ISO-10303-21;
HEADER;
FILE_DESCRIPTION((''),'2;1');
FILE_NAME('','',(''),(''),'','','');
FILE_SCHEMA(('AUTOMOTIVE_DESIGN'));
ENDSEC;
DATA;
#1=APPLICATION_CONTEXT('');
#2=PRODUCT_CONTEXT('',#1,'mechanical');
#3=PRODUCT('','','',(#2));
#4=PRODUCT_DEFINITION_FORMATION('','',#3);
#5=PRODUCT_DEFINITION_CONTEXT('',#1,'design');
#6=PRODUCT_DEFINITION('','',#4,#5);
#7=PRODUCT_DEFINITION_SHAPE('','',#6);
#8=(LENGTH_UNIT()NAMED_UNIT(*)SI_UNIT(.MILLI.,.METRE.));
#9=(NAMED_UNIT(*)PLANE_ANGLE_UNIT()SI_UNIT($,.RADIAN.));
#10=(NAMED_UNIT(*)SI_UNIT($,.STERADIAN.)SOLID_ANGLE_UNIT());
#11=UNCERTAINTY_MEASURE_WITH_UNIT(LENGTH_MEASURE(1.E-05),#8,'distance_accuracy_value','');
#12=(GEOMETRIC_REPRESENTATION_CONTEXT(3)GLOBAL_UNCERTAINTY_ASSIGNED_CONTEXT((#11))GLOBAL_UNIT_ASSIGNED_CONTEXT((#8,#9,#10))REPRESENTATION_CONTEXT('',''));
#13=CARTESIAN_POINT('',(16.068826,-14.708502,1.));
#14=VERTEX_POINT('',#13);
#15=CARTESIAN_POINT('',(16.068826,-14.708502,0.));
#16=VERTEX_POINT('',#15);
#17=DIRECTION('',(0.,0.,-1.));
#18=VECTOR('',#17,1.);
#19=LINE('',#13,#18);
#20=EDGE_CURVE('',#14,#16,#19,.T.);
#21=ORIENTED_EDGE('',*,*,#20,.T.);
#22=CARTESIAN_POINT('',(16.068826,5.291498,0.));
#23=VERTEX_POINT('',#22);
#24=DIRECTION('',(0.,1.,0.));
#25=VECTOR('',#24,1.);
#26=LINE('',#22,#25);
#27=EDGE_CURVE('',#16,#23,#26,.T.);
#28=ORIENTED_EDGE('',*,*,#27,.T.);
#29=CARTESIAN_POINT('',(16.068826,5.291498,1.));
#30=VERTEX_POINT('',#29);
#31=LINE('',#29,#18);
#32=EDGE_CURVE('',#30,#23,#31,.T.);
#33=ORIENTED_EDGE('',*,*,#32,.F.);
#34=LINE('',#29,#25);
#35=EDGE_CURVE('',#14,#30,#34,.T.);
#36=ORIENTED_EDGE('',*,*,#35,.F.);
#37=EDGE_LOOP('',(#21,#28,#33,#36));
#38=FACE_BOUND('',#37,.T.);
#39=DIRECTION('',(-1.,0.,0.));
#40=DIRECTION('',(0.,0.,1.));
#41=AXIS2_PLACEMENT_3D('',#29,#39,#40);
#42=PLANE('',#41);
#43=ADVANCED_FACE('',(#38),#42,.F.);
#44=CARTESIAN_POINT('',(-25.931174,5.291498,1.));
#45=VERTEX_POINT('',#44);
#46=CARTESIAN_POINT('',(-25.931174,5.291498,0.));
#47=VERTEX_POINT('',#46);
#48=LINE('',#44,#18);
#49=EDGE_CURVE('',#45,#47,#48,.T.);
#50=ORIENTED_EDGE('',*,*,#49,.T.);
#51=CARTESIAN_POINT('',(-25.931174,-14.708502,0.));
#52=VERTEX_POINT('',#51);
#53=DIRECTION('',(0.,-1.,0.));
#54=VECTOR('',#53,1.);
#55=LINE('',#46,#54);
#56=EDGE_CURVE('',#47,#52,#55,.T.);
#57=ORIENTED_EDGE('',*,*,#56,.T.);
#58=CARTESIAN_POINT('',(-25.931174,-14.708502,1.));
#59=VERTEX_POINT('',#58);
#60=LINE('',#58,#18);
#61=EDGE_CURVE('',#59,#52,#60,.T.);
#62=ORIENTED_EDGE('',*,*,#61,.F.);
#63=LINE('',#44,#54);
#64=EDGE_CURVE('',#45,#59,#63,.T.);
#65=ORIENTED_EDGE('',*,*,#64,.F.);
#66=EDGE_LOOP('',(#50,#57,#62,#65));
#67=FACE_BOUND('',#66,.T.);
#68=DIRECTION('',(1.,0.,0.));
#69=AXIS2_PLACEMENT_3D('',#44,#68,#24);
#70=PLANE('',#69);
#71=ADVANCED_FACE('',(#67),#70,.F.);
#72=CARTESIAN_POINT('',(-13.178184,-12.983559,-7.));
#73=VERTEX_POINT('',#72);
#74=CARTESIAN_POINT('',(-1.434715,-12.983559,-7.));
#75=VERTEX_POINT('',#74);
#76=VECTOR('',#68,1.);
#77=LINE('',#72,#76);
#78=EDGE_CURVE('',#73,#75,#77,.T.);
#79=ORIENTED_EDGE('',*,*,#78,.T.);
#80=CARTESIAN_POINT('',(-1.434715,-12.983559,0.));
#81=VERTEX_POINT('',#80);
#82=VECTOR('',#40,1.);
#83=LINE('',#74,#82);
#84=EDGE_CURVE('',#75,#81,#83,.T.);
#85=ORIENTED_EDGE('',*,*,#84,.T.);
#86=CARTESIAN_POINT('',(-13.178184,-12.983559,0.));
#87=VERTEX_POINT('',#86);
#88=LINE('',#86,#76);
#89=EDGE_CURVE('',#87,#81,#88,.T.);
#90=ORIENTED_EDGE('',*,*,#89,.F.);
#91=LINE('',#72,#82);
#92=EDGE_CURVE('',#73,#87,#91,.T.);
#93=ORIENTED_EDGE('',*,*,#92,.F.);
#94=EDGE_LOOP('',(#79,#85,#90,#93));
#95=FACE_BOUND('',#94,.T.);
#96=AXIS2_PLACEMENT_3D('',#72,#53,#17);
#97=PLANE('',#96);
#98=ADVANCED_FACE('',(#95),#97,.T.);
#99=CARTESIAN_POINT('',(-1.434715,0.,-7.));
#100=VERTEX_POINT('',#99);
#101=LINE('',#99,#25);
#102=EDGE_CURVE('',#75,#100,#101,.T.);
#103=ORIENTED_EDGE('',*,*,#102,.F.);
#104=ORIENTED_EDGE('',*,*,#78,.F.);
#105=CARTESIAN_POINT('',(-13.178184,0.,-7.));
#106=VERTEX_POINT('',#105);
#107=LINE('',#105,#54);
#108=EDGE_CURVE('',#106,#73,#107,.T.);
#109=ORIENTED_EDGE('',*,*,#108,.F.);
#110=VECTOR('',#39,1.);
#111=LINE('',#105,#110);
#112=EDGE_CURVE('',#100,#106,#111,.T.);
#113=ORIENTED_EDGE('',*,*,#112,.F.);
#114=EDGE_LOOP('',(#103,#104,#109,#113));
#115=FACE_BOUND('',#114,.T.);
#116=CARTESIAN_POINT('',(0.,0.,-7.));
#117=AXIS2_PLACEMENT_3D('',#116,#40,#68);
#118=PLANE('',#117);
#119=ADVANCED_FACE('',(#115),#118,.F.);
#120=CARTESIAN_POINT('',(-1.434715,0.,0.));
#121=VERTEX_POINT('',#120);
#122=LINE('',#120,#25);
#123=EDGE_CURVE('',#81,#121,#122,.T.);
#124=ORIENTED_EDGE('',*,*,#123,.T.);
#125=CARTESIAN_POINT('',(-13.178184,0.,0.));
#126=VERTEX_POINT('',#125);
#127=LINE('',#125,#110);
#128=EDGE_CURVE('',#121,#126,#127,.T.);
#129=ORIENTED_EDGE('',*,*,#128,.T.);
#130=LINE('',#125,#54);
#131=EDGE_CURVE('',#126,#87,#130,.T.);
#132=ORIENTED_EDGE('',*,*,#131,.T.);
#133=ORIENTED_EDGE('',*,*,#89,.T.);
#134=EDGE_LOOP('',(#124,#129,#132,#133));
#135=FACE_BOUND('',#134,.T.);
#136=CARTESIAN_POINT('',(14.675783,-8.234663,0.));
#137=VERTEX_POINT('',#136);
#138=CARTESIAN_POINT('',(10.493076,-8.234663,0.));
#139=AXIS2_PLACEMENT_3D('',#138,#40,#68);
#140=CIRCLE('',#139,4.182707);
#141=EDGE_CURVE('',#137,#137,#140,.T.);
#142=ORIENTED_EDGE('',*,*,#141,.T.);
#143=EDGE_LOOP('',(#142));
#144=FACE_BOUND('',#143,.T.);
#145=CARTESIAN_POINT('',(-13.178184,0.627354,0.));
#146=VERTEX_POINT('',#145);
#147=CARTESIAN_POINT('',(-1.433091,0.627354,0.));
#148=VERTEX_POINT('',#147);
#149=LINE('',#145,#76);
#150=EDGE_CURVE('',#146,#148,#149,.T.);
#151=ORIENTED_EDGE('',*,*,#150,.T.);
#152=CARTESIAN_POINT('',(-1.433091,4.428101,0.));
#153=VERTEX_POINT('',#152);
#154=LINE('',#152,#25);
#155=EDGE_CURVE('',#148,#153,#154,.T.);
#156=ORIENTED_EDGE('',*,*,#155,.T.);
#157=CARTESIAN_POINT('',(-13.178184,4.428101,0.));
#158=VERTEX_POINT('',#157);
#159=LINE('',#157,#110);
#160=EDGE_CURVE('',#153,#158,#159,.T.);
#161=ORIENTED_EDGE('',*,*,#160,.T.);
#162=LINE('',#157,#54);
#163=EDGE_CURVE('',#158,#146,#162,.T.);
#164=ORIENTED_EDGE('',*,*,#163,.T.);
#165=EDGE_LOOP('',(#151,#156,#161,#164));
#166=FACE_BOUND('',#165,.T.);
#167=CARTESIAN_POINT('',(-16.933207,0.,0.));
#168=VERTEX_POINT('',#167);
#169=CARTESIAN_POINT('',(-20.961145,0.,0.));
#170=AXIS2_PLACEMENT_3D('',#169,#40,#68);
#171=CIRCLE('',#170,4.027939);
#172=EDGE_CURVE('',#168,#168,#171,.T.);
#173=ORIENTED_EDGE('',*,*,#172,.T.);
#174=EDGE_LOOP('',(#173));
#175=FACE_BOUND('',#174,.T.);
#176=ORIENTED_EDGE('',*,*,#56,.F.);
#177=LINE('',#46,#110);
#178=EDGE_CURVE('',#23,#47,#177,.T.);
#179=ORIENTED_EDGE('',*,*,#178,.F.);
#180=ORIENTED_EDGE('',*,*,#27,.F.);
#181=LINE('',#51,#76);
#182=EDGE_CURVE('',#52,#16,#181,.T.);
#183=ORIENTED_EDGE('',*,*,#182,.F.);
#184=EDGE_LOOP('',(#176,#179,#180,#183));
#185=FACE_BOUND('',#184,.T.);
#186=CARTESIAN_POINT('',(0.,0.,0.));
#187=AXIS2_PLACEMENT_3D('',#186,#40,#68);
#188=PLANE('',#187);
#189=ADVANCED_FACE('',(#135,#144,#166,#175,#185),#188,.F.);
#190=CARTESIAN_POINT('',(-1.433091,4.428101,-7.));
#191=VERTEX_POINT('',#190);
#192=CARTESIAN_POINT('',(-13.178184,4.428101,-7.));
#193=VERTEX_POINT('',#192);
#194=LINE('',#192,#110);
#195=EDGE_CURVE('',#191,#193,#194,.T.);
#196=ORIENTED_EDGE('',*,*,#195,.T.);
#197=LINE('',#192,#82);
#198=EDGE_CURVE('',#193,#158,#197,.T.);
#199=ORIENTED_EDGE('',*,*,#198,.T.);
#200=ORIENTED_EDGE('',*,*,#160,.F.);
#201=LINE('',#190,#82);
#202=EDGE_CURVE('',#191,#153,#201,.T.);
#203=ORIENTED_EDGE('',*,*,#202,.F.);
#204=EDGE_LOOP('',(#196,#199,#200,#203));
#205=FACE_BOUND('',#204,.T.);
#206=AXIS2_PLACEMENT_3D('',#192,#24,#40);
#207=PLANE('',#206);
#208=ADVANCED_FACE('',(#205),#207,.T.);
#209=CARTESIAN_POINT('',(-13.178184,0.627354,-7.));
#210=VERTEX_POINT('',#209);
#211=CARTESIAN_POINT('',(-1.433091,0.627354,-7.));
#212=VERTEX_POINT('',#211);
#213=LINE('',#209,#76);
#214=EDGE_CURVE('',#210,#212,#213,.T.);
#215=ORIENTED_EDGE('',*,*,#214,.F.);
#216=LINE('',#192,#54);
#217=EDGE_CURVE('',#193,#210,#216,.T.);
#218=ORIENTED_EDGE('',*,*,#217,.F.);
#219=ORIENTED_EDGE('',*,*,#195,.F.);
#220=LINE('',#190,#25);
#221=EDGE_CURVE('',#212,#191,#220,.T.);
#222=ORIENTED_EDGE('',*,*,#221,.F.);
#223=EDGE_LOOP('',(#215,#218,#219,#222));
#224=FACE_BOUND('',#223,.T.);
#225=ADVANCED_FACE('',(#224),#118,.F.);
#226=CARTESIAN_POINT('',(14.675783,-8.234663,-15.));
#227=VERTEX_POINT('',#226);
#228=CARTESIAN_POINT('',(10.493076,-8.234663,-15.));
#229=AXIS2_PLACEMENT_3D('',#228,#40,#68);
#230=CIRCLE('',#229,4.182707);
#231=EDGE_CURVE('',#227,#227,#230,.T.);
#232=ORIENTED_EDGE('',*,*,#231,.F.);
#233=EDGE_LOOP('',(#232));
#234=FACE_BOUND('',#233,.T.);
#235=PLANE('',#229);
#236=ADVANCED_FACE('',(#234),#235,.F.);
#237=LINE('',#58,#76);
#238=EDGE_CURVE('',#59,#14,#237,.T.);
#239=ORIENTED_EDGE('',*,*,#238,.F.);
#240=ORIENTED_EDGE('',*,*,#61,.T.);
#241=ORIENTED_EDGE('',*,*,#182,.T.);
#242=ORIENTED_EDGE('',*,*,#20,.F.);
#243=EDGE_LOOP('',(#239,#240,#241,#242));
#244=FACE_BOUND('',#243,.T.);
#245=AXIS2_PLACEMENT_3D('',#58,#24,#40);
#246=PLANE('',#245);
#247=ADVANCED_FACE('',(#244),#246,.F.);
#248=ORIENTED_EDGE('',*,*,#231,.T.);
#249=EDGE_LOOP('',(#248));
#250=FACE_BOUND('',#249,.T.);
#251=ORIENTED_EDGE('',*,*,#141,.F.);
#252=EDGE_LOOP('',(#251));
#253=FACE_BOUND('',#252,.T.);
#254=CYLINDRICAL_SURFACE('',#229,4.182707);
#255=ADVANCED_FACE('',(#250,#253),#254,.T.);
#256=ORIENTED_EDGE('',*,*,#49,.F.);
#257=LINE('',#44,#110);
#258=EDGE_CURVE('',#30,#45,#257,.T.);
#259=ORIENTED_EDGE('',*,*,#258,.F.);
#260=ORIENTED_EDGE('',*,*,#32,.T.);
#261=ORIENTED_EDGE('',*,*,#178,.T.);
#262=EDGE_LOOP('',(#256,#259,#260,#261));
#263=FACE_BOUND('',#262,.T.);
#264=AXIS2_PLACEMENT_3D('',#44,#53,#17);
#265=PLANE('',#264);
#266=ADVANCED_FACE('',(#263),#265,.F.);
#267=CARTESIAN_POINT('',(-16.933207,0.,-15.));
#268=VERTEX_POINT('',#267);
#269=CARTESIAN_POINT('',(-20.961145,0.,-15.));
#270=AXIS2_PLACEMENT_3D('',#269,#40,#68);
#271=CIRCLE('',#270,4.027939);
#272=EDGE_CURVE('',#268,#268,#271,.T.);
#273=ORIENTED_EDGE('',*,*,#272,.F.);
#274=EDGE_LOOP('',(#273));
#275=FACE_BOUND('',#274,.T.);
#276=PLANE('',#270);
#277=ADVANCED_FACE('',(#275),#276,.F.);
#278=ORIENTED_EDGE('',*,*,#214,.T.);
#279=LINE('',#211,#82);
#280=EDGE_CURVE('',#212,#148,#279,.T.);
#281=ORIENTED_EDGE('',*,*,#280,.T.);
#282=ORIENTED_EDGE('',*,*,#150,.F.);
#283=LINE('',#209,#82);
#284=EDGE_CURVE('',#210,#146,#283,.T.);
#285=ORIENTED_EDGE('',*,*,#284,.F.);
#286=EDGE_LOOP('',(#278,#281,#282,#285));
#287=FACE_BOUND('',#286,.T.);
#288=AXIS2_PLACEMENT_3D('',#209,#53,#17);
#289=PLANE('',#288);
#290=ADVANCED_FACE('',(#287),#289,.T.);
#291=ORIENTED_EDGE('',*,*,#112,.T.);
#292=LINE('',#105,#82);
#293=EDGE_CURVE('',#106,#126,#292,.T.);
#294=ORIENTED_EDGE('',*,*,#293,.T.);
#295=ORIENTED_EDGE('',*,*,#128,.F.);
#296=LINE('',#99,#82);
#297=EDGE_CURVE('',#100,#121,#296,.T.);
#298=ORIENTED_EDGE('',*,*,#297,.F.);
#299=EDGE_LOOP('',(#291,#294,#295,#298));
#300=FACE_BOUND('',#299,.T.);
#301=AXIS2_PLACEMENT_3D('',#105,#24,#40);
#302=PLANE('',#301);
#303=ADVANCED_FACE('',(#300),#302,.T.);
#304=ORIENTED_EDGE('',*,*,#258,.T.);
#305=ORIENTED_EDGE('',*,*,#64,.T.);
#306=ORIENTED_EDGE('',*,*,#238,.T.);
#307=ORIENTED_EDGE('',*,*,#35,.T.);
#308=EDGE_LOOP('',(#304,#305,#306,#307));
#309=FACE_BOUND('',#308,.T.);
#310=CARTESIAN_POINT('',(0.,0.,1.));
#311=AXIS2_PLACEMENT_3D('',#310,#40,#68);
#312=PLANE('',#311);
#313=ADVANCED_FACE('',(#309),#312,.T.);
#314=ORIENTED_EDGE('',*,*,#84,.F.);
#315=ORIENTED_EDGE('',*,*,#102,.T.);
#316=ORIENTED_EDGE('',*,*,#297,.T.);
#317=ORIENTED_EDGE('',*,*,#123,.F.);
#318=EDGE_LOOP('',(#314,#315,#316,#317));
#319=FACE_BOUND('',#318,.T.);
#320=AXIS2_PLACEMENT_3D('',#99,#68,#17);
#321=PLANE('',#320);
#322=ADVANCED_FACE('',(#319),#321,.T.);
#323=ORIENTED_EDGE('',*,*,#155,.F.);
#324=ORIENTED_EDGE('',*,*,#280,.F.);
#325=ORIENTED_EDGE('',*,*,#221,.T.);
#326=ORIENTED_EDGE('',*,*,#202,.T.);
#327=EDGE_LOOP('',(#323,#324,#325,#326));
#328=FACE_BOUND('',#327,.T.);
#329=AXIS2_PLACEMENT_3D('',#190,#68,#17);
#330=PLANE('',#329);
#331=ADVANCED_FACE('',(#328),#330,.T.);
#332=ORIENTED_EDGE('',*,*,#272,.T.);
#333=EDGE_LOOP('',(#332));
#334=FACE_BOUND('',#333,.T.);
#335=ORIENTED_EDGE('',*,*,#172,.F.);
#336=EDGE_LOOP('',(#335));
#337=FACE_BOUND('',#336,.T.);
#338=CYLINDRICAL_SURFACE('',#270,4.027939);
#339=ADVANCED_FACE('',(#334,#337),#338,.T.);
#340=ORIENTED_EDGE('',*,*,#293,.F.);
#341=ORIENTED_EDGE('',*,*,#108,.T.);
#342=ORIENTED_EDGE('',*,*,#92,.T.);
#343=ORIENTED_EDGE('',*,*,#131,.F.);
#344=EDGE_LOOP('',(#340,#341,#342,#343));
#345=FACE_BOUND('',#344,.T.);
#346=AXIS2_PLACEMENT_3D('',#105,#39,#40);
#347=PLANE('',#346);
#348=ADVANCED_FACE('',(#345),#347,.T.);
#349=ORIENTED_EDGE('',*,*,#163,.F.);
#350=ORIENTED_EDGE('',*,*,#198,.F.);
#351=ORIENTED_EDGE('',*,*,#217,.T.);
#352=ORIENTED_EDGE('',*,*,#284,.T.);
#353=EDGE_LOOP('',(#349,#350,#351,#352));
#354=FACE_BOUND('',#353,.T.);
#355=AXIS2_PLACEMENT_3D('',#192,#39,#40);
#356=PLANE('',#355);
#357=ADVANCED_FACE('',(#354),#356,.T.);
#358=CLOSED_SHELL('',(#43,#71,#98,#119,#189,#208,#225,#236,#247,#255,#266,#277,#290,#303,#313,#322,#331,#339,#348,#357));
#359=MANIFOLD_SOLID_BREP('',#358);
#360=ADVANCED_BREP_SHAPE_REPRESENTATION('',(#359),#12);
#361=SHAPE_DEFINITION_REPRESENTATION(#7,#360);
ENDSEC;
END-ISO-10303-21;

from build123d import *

# Parameters (mm, degrees)
SKETCH1_W           = 42
SKETCH1_H           = 20
BOSS_EXTRUDE1_DEPTH = 1
SKETCH2_R           = 4.027938591
SKETCH2_R_2         = 4.182706726
BOSS_EXTRUDE2_DEPTH = 15
SKETCH3_W           = 11.745093392
SKETCH3_H           = 3.800746796
SKETCH3_W_2         = 11.743469105
SKETCH3_H_2         = 12.98355877
BOSS_EXTRUDE3_DEPTH = 7


with BuildPart() as part:
    # Sketch1 → Boss-Extrude1 (new body)
    with BuildSketch(Plane.XY):
        with Locations((-4.931174089, -4.708502024)):
            Rectangle(SKETCH1_W, SKETCH1_H)
    extrude(amount=BOSS_EXTRUDE1_DEPTH)

    # Sketch2 → Boss-Extrude2 (add)
    with BuildSketch(Plane.XY):
        with Locations((-20.961145163, 0)):
            Circle(SKETCH2_R)
        with Locations((10.49307608, -8.234663003)):
            Circle(SKETCH2_R_2)
    extrude(amount=-BOSS_EXTRUDE2_DEPTH)

    # Sketch3 → Boss-Extrude3 (add)
    with BuildSketch(Plane.XY):
        with Locations((-7.305637446, 2.527727406)):
            Rectangle(SKETCH3_W, SKETCH3_H)
        with Locations((-7.30644959, -6.491779385)):
            Rectangle(SKETCH3_W_2, SKETCH3_H_2)
    extrude(amount=-BOSS_EXTRUDE3_DEPTH)


solid = part.part
